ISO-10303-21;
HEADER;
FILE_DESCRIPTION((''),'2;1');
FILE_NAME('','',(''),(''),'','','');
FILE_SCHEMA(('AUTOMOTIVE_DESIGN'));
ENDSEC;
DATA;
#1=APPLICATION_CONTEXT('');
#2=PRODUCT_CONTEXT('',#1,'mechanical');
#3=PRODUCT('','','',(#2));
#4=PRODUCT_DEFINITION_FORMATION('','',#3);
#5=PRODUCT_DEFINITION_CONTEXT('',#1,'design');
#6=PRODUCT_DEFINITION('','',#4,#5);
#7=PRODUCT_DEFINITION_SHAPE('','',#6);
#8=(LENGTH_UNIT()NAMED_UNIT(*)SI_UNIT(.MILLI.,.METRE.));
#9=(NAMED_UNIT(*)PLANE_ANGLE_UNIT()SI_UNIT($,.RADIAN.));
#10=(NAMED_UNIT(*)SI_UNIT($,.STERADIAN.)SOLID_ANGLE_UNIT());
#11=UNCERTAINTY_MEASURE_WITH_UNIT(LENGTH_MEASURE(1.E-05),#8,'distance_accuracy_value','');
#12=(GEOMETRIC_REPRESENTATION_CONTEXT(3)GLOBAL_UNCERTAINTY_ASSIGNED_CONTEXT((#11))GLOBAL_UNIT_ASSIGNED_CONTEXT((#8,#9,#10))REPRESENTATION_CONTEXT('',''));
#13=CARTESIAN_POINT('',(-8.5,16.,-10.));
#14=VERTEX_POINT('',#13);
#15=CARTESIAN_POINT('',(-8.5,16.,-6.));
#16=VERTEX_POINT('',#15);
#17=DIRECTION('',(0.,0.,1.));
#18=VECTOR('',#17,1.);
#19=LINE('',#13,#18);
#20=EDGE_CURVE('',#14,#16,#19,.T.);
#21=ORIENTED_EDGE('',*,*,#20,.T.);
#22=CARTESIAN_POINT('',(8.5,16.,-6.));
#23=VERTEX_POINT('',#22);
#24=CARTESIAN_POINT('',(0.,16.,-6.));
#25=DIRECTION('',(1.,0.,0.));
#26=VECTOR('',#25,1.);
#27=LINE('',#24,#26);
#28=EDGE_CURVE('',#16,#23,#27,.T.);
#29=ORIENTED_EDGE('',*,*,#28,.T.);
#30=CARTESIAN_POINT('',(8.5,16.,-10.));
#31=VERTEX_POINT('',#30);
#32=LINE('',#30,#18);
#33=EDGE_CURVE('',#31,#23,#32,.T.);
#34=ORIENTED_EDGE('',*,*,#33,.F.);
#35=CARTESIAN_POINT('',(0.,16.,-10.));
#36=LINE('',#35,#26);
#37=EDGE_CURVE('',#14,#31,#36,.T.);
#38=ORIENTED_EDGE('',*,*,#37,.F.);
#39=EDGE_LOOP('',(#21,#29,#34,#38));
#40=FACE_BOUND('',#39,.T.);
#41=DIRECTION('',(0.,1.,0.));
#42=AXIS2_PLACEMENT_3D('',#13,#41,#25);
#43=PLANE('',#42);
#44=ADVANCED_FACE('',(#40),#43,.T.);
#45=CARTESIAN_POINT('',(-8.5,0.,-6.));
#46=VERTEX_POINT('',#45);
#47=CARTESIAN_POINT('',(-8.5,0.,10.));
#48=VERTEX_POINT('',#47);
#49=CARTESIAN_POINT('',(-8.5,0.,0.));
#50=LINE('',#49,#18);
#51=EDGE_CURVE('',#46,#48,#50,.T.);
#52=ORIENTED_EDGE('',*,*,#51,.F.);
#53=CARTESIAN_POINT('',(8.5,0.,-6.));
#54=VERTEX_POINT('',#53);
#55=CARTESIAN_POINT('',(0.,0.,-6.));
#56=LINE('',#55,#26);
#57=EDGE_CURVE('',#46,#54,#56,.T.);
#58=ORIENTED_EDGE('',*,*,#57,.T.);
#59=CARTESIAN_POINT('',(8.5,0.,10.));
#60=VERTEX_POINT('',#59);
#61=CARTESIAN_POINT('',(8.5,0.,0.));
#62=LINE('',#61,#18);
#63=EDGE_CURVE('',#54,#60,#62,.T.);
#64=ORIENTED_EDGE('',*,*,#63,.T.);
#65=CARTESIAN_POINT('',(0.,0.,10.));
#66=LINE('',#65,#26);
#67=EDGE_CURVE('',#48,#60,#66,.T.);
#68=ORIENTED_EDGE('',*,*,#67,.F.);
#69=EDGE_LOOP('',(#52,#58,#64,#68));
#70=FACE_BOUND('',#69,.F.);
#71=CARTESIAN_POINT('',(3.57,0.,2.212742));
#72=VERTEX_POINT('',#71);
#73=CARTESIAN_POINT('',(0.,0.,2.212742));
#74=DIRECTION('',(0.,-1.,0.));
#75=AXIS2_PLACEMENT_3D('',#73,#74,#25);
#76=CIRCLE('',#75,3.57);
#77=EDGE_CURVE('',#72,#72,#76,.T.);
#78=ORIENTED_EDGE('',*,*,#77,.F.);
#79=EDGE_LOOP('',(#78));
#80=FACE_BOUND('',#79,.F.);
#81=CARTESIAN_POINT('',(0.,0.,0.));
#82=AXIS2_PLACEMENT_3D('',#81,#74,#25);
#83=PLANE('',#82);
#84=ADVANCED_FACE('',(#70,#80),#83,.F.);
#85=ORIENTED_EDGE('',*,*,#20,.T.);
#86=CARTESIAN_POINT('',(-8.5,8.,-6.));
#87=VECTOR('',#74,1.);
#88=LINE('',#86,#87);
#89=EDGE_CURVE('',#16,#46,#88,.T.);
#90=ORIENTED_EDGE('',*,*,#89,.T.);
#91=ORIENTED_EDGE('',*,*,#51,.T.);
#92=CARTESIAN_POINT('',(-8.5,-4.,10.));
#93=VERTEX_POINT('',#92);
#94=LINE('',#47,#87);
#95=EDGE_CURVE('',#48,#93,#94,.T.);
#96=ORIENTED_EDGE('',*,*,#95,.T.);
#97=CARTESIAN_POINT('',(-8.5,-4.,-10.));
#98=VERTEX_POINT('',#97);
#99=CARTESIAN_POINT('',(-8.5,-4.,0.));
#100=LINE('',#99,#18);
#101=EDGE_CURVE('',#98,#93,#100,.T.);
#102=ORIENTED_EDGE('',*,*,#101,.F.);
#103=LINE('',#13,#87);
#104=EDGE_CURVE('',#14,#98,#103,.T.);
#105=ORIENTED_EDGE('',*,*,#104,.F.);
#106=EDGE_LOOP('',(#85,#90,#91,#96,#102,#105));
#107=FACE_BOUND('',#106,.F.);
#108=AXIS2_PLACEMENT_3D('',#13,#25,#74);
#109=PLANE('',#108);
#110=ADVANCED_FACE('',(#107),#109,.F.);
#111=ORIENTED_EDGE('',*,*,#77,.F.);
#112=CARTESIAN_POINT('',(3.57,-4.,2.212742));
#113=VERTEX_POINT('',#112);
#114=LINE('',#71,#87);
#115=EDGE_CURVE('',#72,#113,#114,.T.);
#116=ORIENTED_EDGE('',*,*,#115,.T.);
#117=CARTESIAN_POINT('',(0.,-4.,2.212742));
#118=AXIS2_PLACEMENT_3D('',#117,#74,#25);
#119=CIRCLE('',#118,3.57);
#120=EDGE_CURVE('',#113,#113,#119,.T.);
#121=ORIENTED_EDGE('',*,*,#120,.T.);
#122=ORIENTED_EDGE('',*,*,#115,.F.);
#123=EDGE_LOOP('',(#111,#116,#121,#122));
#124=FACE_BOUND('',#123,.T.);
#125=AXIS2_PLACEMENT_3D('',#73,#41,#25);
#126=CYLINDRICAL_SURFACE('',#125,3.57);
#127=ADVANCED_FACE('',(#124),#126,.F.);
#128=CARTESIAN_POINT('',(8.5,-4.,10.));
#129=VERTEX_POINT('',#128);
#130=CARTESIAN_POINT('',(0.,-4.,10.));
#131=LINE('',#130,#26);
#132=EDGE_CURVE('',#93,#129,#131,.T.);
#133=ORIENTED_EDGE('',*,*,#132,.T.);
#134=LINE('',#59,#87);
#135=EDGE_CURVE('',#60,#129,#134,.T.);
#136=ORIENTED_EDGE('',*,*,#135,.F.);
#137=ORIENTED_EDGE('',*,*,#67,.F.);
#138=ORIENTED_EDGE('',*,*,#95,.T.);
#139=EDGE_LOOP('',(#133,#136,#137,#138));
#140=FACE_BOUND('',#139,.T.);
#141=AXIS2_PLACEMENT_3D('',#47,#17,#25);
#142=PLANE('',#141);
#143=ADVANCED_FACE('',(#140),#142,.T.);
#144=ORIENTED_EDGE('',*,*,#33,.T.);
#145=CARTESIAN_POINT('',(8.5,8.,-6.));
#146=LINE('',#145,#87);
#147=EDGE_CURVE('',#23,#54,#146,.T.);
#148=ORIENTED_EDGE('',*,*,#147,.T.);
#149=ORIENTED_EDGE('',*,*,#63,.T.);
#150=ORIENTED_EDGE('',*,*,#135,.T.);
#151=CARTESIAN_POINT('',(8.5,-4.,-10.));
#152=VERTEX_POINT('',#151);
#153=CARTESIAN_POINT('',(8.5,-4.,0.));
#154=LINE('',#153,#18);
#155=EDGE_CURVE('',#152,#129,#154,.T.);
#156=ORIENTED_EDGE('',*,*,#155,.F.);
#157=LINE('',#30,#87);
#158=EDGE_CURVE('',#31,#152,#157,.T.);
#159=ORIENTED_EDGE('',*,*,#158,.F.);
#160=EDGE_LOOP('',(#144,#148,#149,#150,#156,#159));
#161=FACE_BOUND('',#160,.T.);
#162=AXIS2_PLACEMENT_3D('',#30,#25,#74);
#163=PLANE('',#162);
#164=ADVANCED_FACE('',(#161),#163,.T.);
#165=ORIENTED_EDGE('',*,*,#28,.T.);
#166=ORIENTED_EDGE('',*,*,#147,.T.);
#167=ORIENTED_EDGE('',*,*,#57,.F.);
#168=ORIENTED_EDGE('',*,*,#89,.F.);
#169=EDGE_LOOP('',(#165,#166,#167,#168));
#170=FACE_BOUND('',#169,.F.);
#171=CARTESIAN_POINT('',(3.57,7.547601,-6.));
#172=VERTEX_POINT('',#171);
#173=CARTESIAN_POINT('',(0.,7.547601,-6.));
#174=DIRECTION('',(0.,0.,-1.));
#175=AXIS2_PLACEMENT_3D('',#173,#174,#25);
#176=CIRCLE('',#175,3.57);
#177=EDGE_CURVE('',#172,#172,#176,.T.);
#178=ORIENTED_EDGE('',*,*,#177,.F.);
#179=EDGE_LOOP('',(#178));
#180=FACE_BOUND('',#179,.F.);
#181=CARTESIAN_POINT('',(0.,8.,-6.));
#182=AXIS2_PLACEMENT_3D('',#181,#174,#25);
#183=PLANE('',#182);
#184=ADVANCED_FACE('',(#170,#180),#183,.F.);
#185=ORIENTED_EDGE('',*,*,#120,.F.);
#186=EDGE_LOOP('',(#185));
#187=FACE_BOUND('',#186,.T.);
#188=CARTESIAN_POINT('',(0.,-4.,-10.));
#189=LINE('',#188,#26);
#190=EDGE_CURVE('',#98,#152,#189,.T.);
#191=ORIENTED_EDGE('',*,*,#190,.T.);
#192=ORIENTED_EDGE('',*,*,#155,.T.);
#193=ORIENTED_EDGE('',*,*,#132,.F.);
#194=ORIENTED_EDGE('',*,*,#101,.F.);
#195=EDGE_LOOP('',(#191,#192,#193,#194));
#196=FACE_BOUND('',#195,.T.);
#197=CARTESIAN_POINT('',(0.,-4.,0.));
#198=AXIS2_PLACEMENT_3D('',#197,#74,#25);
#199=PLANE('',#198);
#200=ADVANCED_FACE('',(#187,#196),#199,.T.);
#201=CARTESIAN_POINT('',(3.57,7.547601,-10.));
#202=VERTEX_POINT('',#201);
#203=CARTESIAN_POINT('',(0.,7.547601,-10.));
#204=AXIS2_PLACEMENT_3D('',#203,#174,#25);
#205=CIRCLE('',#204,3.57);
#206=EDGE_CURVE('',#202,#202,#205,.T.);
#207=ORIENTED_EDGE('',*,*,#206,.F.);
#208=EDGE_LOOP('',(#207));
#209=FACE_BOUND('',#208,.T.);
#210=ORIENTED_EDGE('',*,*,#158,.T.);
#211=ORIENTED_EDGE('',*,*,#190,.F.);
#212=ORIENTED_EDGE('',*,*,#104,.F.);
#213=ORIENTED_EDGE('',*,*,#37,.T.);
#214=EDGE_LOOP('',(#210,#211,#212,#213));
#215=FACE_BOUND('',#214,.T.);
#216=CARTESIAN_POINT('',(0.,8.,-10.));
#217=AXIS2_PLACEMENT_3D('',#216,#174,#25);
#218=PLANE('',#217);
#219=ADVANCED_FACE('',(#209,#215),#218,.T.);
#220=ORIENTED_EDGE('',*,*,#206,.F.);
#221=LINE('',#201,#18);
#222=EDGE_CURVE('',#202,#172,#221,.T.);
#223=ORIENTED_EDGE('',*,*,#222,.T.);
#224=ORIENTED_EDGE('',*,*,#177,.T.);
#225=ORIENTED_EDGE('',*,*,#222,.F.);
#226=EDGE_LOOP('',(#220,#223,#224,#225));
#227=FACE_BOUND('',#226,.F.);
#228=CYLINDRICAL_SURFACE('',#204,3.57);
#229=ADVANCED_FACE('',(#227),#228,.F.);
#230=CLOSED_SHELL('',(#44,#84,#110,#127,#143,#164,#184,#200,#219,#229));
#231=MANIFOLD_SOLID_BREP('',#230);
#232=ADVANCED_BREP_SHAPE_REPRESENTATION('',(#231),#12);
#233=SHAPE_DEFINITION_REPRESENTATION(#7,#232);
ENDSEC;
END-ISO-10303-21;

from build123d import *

# Parameters (mm, degrees)
F0_W     = 17
F0_H     = 20
F0_R     = 3.57
F1_DEPTH = 4
F2_W     = 17
F2_H     = 16
F2_R     = 3.57
F3_DEPTH = 4


with BuildPart() as f1:
    # F0 (on Front) → F1 (new body)
    with BuildSketch(Plane.XZ):
        Rectangle(F0_W, F0_H)
        with Locations((0, 2.212742)):
            Circle(F0_R, mode=Mode.SUBTRACT)
    extrude(amount=F1_DEPTH)

    # F2 (on face) → F3 (join)
    with BuildSketch(Plane(origin=(0, 0, -10), x_dir=(1, 0, 0), z_dir=(0, 0, -1))):
        with Locations((0, -8)):
            Rectangle(F2_W, F2_H)
        with Locations((0, -7.547601)):
            Circle(F2_R, mode=Mode.SUBTRACT)
    extrude(amount=-F3_DEPTH)


solid = f1.part
